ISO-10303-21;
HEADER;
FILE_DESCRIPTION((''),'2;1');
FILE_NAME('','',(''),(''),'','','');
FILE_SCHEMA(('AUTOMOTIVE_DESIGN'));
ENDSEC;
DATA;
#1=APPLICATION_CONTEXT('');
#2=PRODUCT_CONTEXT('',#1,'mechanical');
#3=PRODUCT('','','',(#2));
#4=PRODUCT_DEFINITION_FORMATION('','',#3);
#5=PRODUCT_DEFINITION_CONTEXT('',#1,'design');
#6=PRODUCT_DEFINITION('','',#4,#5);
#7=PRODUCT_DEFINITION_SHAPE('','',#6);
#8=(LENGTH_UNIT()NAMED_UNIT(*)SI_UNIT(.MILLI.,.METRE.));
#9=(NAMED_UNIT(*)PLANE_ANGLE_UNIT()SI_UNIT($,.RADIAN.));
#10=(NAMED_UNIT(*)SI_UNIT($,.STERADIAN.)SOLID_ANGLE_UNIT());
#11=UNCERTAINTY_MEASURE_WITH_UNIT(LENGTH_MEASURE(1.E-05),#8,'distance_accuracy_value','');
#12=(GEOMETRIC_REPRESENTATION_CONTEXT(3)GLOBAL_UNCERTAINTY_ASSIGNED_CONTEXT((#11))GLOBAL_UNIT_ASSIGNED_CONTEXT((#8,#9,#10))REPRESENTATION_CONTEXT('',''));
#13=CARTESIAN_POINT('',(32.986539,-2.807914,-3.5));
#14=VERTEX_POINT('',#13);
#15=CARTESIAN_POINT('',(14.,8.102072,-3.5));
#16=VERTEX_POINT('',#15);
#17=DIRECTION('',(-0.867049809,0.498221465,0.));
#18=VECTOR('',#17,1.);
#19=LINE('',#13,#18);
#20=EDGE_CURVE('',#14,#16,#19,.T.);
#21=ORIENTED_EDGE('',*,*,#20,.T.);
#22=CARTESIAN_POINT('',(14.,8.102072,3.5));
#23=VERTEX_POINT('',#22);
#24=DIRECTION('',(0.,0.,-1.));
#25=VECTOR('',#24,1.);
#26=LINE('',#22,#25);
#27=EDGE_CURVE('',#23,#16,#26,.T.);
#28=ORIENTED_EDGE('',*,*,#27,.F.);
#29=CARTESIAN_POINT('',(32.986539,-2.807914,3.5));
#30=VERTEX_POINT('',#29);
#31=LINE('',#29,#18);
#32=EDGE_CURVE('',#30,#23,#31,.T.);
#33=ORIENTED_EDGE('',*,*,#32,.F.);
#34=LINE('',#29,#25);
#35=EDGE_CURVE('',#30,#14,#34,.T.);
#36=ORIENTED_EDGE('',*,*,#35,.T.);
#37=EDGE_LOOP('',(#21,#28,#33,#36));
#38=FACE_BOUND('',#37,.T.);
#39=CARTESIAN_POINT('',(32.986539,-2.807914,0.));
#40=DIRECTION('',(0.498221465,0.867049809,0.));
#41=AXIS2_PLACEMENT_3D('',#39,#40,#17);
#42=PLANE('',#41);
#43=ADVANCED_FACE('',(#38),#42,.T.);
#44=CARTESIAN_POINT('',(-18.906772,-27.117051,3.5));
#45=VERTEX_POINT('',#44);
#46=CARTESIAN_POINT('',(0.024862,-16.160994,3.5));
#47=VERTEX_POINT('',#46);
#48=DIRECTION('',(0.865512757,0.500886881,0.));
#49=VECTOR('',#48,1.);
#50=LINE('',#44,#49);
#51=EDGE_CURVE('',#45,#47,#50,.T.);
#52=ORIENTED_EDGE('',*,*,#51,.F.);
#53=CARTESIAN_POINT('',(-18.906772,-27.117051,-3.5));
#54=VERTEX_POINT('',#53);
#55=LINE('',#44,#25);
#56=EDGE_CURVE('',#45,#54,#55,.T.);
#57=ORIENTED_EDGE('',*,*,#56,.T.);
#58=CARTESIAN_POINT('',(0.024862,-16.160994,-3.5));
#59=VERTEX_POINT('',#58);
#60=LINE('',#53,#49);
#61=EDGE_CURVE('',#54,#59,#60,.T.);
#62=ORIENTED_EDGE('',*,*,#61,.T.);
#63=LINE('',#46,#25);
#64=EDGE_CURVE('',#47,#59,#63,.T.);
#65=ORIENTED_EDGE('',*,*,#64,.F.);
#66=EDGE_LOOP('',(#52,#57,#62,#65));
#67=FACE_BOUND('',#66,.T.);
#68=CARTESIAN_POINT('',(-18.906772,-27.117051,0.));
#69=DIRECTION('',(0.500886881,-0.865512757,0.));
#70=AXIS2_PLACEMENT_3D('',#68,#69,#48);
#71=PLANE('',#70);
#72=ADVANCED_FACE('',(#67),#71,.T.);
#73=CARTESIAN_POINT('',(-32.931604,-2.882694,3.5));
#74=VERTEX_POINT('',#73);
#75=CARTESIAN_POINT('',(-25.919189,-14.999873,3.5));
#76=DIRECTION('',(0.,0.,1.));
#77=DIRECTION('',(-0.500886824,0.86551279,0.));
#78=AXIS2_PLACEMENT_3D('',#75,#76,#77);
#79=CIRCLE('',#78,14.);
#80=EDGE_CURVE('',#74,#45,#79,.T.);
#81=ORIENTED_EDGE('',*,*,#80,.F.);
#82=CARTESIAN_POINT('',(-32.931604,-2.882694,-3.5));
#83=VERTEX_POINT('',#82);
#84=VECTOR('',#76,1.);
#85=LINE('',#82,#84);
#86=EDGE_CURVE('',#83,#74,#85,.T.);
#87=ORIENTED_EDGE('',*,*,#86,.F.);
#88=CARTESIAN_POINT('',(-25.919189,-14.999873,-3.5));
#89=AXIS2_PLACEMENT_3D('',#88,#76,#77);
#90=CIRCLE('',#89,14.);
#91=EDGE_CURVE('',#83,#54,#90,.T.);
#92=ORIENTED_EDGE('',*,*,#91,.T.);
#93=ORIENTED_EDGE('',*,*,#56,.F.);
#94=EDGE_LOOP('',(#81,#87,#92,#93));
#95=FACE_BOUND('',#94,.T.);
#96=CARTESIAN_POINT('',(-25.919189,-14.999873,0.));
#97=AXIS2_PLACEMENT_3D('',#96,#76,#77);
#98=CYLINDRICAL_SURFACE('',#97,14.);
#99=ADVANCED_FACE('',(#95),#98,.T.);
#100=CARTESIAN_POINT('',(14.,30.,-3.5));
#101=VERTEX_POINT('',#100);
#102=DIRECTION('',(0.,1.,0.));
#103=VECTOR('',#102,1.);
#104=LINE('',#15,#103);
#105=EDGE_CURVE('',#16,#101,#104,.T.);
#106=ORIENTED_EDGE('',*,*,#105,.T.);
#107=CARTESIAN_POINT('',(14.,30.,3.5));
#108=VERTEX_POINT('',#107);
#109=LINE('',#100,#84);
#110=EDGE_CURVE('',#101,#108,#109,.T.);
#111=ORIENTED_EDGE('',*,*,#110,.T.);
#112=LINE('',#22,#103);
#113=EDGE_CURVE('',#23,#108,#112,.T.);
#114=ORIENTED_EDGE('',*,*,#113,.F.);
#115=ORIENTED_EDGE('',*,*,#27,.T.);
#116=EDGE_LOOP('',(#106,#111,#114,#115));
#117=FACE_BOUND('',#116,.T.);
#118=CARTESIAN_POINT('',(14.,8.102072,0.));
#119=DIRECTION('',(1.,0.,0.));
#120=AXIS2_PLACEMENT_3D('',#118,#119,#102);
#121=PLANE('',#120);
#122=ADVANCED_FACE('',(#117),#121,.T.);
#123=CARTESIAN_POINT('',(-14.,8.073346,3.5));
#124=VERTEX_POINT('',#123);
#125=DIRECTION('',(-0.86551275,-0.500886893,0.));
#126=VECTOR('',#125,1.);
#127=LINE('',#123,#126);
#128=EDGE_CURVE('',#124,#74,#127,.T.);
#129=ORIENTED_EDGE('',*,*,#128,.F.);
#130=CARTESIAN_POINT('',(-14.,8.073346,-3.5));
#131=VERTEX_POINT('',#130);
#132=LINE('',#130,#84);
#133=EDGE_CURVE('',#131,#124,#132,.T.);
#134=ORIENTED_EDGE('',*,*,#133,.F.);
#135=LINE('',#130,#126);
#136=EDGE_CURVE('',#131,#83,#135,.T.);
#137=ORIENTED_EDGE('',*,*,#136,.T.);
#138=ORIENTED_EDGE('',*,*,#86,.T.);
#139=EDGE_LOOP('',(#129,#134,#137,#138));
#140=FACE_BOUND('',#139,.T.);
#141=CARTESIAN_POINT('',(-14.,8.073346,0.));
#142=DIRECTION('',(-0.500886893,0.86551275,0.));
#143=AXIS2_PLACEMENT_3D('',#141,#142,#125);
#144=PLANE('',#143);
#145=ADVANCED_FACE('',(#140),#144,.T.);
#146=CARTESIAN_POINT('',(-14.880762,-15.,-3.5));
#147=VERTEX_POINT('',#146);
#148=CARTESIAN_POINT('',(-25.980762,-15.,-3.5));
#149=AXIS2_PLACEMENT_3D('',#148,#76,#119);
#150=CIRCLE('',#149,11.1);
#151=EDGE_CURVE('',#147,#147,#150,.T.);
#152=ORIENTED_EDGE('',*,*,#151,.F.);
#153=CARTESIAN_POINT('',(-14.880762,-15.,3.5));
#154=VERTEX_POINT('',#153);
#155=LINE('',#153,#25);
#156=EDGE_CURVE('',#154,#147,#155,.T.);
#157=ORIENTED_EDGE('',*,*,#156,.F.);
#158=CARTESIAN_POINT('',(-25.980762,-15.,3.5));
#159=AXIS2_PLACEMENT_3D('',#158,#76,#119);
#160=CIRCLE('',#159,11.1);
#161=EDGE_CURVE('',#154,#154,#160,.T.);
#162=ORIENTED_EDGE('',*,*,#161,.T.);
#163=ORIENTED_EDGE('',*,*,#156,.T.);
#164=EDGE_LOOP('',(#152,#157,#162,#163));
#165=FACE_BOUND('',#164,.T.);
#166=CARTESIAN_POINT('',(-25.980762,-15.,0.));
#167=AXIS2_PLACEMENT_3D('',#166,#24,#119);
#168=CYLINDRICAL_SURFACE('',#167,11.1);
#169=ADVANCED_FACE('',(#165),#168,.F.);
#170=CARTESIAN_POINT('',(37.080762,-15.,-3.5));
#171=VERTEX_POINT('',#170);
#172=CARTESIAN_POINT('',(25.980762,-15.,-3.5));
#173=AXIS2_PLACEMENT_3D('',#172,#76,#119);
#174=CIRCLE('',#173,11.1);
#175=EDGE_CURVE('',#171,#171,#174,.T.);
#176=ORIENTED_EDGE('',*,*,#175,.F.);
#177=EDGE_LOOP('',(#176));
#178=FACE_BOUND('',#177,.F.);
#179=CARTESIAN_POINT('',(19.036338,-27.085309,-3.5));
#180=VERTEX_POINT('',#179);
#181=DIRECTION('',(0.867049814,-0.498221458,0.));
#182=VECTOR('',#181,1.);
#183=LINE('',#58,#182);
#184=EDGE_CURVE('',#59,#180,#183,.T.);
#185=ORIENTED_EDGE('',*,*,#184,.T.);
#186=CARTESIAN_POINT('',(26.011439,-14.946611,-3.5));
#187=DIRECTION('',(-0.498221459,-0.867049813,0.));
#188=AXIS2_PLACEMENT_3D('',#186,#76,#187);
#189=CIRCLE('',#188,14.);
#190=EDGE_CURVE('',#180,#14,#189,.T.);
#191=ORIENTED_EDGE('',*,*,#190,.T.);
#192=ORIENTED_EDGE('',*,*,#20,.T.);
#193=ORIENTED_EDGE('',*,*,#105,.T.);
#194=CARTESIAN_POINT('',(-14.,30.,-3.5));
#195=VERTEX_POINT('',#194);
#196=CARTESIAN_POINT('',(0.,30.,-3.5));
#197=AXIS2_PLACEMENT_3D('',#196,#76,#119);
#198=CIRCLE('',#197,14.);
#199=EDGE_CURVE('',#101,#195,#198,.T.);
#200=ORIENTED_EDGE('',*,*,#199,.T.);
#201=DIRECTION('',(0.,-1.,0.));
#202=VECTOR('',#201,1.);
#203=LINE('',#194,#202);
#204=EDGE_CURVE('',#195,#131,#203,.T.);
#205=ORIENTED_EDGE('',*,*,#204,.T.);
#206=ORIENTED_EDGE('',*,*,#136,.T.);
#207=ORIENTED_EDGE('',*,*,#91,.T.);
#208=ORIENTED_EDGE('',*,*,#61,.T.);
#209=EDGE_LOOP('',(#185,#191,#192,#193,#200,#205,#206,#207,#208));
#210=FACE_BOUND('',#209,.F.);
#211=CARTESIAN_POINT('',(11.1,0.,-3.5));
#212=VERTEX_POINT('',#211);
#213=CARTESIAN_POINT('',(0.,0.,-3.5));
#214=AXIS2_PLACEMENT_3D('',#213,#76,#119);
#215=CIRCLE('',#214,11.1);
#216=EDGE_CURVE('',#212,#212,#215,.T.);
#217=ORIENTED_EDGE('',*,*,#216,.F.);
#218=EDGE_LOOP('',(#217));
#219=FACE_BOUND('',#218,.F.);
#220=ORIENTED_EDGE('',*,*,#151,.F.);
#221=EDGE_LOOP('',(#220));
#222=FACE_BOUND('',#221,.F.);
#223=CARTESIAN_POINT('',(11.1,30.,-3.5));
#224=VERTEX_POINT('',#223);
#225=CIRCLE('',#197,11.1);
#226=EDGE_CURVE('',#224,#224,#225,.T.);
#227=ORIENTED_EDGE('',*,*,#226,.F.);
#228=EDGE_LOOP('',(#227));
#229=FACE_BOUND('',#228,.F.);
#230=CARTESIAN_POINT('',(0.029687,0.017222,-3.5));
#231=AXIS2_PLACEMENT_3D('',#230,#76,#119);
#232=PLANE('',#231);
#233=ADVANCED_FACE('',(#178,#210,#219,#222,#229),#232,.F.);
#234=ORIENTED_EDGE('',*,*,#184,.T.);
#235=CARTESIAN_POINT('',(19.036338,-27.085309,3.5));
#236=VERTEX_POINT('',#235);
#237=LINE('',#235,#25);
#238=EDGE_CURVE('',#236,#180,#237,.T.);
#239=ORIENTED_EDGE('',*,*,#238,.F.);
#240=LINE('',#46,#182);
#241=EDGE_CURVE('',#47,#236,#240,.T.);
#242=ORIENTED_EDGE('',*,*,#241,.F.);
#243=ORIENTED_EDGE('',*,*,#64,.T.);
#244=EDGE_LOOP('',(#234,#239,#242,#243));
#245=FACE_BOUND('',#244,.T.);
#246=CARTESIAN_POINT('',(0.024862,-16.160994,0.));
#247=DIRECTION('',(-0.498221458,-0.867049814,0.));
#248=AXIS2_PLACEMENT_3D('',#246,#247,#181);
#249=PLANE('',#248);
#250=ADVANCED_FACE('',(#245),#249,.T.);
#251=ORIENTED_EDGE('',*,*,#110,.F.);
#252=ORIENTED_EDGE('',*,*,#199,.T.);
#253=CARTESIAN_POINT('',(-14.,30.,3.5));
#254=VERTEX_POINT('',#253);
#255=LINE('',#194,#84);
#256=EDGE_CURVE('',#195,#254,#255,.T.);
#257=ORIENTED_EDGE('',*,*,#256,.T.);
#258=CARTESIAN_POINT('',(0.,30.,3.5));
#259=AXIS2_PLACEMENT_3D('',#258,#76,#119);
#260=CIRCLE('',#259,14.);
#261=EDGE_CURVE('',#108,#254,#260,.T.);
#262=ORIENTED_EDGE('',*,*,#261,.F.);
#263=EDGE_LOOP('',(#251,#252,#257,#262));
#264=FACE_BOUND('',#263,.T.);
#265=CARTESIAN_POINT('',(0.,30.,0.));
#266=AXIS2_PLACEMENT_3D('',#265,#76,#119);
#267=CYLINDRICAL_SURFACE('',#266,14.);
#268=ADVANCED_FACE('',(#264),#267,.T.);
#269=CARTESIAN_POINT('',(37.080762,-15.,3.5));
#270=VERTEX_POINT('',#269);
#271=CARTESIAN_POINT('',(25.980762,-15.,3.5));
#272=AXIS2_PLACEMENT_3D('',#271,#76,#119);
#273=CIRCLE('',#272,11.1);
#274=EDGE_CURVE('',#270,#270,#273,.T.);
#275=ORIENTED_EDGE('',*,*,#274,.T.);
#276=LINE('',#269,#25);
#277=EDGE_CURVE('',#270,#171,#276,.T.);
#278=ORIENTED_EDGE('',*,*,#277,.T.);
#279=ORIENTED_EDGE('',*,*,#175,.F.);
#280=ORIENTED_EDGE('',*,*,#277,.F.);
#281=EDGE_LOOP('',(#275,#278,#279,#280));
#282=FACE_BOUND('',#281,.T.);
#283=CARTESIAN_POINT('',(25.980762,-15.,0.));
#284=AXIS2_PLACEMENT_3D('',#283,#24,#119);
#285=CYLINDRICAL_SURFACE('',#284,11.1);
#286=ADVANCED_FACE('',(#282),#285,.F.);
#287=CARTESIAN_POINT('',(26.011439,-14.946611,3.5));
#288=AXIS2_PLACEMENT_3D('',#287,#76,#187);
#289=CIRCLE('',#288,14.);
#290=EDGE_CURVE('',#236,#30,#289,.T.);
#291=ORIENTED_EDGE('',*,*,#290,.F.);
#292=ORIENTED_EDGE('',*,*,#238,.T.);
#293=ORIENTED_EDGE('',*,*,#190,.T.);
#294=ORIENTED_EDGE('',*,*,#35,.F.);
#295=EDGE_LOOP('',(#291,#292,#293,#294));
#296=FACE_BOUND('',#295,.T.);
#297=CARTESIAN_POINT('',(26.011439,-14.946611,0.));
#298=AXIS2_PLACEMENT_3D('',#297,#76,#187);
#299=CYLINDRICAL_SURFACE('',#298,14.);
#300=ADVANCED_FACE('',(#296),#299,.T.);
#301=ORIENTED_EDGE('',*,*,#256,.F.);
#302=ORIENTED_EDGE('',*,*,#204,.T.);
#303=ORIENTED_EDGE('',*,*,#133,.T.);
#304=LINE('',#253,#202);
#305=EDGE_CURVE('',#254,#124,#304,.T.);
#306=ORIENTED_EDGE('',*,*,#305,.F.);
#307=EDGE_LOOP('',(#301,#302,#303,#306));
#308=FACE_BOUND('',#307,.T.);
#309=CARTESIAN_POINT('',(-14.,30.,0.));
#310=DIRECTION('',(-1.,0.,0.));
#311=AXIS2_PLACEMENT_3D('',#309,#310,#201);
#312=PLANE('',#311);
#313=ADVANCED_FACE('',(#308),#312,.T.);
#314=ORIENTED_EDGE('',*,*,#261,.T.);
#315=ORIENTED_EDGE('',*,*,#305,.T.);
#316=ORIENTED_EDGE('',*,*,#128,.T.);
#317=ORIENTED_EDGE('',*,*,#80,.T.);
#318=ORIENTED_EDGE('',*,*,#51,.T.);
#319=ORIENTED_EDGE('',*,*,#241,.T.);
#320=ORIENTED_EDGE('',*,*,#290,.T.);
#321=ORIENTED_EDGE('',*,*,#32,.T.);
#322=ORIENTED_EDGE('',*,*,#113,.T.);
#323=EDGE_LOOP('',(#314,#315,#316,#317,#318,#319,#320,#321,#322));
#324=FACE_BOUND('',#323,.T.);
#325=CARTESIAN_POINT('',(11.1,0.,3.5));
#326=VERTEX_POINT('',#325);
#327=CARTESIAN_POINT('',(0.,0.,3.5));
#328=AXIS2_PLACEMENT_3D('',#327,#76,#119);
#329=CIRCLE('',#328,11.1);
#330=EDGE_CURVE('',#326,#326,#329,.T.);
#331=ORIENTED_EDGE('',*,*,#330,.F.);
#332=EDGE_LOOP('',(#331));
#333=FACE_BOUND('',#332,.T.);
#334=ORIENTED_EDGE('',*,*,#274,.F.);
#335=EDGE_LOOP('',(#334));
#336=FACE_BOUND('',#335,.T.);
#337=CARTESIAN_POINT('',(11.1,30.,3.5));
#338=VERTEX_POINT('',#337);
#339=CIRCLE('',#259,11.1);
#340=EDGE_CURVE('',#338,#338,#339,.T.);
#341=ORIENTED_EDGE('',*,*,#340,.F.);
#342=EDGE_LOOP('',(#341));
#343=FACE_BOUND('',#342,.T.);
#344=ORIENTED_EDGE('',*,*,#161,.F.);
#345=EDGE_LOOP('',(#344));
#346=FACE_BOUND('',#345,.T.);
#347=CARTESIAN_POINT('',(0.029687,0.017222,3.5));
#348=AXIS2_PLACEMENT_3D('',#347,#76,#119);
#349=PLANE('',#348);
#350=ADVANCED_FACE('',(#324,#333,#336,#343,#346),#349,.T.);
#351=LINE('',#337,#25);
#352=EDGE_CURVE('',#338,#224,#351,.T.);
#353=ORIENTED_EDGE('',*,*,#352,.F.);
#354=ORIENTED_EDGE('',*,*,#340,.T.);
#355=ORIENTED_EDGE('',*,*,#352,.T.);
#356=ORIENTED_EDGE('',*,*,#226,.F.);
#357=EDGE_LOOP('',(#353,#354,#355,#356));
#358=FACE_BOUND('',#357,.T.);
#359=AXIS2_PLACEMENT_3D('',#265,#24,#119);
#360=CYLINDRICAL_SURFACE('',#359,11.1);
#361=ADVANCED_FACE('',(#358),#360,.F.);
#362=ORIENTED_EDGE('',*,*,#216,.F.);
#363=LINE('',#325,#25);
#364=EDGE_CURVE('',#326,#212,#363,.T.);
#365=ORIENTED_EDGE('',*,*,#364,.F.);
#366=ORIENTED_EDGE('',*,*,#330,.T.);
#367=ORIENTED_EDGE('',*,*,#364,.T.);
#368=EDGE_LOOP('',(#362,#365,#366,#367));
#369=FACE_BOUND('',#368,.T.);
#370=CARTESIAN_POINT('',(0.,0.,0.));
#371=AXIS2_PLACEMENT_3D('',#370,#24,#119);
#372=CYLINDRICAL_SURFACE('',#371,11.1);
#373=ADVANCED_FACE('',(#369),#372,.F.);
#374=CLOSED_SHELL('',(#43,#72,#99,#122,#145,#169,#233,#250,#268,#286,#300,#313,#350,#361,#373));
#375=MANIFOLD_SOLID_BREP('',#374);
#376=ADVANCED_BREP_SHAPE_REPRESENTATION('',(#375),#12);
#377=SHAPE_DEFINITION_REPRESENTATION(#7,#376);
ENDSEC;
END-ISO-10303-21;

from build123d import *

# Parameters (mm, degrees)
F0_R     = 11.1
F1_DEPTH = 3.5


with BuildPart() as f1:
    # F0 (on Top) → F1 (new body, symmetric)
    with BuildSketch(Plane.XY):
        with BuildLine():
            Line((14, 8.102072), (14, 30))
            ThreePointArc((14, 30), (0, 44), (-14, 30))
            Line((-14, 30), (-14, 8.073346))
            Line((-14, 8.073346), (-32.931604, -2.882694))
            ThreePointArc((-32.931604, -2.882694), (-38.036367, -22.012289), (-18.906772, -27.117051))
            Line((-18.906772, -27.117051), (0.024862, -16.160994))
            Line((0.024862, -16.160994), (19.036338, -27.085309))
            ThreePointArc((19.036338, -27.085309), (38.150136, -21.921712), (32.986539, -2.807914))
            Line((32.986539, -2.807914), (14, 8.102072))
        make_face()
        with Locations((-25.980762, -15)):
            Circle(F0_R, mode=Mode.SUBTRACT)
        Circle(F0_R, mode=Mode.SUBTRACT)
        with Locations((25.980762, -15)):
            Circle(F0_R, mode=Mode.SUBTRACT)
        with Locations((0, 30)):
            Circle(F0_R, mode=Mode.SUBTRACT)
    extrude(amount=F1_DEPTH, both=True)


solid = f1.part
